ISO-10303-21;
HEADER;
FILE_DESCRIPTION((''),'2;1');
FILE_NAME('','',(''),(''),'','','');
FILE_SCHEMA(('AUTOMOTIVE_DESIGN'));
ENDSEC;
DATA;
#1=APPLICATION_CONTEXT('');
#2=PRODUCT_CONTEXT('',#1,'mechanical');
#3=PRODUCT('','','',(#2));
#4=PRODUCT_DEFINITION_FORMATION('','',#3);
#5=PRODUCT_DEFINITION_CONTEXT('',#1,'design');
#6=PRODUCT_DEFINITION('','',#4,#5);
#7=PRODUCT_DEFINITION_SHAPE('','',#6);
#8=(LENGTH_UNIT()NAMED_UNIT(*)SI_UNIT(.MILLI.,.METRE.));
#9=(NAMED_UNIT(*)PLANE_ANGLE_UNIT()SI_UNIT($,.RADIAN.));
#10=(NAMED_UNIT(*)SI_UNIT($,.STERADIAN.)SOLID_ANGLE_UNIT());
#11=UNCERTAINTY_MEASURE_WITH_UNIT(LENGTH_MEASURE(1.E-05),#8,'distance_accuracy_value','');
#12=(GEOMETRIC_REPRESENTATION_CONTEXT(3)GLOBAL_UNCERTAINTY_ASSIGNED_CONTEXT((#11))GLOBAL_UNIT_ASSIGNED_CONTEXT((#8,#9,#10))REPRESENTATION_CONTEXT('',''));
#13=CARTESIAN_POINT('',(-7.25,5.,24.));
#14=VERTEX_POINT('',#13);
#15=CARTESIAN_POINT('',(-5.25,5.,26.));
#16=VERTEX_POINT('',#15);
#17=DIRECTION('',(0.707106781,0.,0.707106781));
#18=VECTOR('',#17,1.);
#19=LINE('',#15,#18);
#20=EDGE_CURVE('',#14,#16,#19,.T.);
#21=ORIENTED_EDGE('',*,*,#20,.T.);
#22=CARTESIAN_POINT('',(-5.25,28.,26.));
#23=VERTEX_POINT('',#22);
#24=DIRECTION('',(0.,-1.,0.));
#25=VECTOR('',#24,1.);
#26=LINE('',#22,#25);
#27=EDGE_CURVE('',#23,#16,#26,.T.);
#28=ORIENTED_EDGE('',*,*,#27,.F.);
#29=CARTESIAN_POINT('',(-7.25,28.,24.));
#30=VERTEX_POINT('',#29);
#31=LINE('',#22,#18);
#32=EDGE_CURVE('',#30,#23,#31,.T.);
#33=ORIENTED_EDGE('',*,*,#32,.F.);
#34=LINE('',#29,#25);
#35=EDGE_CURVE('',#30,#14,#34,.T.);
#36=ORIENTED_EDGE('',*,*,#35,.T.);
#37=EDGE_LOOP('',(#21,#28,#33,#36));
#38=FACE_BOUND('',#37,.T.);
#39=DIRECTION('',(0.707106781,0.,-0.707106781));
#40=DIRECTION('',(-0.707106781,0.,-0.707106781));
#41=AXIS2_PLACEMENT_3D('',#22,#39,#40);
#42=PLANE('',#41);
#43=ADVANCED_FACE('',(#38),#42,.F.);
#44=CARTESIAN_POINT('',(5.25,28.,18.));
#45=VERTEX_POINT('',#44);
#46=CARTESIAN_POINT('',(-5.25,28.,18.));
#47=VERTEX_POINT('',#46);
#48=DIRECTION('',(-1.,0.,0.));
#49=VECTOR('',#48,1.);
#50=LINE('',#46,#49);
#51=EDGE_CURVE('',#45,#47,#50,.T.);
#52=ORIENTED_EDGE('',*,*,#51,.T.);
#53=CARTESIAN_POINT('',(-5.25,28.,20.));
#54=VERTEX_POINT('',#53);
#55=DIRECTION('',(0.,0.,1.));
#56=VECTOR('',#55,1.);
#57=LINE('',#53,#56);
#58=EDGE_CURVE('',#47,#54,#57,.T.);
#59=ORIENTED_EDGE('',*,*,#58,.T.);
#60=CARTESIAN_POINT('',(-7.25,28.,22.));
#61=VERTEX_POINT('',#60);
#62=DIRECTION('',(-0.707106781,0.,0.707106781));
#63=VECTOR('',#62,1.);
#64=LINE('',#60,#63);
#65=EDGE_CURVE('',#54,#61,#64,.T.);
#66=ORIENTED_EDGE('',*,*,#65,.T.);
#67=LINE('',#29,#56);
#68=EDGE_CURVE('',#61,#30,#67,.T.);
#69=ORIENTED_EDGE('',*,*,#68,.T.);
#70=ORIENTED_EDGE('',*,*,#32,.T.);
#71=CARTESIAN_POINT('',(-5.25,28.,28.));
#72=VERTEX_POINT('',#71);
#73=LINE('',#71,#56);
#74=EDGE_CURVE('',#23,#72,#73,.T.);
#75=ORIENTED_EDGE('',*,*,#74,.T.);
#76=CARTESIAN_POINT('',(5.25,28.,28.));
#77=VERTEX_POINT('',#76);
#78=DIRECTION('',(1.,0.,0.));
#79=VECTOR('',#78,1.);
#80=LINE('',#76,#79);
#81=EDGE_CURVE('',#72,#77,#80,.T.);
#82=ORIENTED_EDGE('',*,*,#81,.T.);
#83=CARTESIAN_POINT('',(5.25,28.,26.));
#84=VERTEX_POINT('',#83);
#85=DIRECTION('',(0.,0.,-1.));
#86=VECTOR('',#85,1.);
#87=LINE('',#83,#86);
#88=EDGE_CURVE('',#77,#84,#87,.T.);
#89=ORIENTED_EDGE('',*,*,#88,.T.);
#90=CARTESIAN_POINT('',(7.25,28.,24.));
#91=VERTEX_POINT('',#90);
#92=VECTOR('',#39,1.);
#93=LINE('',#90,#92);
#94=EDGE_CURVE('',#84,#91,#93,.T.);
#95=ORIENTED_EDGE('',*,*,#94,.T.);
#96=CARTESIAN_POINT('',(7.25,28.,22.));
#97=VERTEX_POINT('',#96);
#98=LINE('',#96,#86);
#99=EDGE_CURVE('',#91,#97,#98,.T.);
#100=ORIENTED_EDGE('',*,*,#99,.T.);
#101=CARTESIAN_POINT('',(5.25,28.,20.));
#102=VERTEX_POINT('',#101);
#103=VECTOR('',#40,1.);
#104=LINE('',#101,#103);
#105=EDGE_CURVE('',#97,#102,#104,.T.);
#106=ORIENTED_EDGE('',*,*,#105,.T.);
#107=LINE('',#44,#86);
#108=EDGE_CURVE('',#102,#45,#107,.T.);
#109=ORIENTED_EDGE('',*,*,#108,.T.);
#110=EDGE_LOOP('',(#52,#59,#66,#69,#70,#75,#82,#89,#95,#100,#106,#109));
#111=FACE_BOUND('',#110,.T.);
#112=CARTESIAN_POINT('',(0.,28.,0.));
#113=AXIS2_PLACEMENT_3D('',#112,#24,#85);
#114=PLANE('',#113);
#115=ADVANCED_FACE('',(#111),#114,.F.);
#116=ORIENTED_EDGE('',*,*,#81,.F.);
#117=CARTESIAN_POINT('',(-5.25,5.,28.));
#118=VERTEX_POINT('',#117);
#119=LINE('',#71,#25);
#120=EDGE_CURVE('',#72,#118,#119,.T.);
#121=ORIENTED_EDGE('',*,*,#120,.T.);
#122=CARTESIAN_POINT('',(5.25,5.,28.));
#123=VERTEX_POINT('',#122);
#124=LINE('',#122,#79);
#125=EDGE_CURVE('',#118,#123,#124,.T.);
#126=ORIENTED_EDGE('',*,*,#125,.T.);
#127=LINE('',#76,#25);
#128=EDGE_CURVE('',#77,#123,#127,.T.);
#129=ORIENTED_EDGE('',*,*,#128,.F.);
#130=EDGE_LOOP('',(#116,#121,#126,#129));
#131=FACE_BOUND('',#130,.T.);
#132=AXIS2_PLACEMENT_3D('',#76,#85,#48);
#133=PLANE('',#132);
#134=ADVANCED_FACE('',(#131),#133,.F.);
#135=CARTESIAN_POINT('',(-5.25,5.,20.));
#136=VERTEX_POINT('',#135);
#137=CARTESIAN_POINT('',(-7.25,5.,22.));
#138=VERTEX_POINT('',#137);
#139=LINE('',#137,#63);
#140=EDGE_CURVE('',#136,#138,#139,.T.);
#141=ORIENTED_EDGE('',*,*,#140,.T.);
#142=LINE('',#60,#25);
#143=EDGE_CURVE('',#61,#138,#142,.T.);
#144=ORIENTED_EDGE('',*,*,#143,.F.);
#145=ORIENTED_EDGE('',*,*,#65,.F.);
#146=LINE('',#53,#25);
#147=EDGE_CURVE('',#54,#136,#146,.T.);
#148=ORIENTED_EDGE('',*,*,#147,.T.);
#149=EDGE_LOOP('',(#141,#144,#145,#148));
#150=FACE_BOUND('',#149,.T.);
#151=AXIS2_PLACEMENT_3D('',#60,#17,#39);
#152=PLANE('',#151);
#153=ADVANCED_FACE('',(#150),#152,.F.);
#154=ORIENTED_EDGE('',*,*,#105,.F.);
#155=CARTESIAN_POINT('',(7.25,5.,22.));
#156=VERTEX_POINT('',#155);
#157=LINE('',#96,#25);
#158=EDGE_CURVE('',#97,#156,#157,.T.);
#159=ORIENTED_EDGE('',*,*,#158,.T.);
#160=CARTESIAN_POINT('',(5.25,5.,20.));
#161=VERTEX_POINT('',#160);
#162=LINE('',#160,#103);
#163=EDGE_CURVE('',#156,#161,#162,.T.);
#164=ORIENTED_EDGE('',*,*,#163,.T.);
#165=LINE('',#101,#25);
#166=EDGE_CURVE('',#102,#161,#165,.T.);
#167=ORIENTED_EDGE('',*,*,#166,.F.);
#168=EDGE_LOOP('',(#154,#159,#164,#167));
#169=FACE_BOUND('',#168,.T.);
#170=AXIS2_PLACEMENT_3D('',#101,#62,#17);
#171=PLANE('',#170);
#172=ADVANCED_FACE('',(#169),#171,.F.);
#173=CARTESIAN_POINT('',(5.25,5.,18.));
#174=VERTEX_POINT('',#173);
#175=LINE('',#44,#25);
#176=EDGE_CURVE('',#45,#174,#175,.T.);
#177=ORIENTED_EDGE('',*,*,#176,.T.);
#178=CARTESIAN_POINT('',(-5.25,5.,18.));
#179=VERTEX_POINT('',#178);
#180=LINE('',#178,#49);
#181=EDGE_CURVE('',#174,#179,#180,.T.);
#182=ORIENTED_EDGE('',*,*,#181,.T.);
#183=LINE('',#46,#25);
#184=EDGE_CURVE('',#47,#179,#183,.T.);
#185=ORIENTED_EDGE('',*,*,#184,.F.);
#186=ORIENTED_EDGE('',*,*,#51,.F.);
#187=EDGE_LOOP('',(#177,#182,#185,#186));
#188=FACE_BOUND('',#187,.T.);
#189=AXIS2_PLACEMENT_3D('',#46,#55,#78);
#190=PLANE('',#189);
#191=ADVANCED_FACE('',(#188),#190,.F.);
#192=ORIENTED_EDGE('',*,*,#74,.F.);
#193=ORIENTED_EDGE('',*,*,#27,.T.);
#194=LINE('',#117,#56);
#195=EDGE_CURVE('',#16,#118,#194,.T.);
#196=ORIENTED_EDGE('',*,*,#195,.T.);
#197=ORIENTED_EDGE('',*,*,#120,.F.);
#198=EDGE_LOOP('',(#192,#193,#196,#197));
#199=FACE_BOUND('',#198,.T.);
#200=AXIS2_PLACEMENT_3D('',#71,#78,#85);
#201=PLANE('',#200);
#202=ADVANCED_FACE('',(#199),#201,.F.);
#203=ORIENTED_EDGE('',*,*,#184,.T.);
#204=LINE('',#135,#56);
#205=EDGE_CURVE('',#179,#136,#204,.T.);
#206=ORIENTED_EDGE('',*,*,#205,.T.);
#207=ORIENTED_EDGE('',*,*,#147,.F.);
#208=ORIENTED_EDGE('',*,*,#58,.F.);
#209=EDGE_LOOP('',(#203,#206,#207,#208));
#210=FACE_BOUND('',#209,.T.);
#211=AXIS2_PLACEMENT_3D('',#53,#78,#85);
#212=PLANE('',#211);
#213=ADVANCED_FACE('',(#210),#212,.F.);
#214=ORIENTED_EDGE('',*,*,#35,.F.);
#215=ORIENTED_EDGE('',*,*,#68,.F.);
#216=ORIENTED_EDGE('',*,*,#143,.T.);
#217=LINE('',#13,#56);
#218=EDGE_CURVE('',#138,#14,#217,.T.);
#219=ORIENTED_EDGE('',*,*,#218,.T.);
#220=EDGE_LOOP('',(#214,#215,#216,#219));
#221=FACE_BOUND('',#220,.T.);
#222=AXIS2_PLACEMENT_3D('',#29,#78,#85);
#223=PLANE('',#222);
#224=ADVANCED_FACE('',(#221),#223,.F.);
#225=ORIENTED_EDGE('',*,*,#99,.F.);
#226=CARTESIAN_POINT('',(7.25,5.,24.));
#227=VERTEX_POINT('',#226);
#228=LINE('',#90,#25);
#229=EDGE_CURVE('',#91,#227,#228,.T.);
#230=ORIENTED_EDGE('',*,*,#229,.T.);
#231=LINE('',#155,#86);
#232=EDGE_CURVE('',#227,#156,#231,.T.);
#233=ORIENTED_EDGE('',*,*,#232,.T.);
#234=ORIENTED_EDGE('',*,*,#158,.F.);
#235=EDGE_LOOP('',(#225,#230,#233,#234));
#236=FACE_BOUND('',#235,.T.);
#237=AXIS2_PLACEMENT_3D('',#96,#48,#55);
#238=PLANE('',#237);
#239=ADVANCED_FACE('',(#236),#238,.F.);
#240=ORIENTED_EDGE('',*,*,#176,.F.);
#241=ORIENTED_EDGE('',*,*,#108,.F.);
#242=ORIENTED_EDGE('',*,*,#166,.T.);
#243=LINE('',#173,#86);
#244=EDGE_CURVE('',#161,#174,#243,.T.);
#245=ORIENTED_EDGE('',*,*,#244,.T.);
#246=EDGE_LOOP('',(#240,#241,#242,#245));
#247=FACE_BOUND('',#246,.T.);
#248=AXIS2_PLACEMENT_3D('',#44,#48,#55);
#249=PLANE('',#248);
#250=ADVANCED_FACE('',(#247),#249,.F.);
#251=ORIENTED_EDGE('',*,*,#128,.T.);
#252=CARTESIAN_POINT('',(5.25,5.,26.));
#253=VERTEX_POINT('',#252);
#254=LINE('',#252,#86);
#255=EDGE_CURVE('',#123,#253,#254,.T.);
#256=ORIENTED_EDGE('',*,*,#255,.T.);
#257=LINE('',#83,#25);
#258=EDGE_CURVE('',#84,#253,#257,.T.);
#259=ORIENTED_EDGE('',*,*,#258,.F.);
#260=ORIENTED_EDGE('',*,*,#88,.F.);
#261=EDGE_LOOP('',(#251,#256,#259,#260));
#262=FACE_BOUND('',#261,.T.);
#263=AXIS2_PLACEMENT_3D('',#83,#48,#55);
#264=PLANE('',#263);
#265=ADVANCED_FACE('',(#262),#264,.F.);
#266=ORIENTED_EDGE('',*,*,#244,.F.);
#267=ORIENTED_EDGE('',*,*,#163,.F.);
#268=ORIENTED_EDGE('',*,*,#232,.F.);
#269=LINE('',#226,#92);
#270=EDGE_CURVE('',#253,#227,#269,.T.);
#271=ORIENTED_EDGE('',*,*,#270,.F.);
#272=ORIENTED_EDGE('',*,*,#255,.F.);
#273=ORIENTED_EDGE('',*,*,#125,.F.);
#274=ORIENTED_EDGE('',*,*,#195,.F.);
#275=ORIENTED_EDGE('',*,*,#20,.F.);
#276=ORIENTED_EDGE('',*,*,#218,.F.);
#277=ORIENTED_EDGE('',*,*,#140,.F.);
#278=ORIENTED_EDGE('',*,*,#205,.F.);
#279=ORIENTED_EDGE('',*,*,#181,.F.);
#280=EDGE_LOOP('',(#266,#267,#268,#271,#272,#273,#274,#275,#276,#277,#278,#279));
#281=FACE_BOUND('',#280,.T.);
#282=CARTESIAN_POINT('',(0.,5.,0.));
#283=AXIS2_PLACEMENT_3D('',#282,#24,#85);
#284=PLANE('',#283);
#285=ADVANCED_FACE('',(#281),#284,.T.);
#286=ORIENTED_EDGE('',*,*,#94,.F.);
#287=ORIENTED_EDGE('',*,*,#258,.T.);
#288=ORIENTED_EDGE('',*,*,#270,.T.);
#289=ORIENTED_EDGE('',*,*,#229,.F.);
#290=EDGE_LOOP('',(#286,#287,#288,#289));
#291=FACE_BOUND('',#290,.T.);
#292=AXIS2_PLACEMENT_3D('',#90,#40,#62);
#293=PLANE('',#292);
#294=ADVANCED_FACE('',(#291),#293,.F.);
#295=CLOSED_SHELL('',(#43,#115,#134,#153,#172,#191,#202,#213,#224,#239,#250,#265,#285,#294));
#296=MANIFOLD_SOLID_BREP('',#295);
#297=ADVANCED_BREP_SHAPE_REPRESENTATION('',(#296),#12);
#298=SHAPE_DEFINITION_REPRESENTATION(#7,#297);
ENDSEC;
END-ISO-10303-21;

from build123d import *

# Parameters (mm, degrees)
EXTRUDE_1_DEPTH = 23


with BuildPart() as part:
    # Эскиз1 → Бобышка-Вытянуть1 (new body)
    with BuildSketch(Plane(origin=(0, 5, 0), x_dir=(1, 0, 0), z_dir=(0, 1, 0))):
        Polygon((-5.25, -28), (-5.25, -26), (-7.25, -24), (-7.25, -22), (-5.25, -20), (-5.25, -18), (5.25, -18), (5.25, -20), (7.25, -22), (7.25, -24), (5.25, -26), (5.25, -28), align=None)
    extrude(amount=EXTRUDE_1_DEPTH)


solid = part.part
